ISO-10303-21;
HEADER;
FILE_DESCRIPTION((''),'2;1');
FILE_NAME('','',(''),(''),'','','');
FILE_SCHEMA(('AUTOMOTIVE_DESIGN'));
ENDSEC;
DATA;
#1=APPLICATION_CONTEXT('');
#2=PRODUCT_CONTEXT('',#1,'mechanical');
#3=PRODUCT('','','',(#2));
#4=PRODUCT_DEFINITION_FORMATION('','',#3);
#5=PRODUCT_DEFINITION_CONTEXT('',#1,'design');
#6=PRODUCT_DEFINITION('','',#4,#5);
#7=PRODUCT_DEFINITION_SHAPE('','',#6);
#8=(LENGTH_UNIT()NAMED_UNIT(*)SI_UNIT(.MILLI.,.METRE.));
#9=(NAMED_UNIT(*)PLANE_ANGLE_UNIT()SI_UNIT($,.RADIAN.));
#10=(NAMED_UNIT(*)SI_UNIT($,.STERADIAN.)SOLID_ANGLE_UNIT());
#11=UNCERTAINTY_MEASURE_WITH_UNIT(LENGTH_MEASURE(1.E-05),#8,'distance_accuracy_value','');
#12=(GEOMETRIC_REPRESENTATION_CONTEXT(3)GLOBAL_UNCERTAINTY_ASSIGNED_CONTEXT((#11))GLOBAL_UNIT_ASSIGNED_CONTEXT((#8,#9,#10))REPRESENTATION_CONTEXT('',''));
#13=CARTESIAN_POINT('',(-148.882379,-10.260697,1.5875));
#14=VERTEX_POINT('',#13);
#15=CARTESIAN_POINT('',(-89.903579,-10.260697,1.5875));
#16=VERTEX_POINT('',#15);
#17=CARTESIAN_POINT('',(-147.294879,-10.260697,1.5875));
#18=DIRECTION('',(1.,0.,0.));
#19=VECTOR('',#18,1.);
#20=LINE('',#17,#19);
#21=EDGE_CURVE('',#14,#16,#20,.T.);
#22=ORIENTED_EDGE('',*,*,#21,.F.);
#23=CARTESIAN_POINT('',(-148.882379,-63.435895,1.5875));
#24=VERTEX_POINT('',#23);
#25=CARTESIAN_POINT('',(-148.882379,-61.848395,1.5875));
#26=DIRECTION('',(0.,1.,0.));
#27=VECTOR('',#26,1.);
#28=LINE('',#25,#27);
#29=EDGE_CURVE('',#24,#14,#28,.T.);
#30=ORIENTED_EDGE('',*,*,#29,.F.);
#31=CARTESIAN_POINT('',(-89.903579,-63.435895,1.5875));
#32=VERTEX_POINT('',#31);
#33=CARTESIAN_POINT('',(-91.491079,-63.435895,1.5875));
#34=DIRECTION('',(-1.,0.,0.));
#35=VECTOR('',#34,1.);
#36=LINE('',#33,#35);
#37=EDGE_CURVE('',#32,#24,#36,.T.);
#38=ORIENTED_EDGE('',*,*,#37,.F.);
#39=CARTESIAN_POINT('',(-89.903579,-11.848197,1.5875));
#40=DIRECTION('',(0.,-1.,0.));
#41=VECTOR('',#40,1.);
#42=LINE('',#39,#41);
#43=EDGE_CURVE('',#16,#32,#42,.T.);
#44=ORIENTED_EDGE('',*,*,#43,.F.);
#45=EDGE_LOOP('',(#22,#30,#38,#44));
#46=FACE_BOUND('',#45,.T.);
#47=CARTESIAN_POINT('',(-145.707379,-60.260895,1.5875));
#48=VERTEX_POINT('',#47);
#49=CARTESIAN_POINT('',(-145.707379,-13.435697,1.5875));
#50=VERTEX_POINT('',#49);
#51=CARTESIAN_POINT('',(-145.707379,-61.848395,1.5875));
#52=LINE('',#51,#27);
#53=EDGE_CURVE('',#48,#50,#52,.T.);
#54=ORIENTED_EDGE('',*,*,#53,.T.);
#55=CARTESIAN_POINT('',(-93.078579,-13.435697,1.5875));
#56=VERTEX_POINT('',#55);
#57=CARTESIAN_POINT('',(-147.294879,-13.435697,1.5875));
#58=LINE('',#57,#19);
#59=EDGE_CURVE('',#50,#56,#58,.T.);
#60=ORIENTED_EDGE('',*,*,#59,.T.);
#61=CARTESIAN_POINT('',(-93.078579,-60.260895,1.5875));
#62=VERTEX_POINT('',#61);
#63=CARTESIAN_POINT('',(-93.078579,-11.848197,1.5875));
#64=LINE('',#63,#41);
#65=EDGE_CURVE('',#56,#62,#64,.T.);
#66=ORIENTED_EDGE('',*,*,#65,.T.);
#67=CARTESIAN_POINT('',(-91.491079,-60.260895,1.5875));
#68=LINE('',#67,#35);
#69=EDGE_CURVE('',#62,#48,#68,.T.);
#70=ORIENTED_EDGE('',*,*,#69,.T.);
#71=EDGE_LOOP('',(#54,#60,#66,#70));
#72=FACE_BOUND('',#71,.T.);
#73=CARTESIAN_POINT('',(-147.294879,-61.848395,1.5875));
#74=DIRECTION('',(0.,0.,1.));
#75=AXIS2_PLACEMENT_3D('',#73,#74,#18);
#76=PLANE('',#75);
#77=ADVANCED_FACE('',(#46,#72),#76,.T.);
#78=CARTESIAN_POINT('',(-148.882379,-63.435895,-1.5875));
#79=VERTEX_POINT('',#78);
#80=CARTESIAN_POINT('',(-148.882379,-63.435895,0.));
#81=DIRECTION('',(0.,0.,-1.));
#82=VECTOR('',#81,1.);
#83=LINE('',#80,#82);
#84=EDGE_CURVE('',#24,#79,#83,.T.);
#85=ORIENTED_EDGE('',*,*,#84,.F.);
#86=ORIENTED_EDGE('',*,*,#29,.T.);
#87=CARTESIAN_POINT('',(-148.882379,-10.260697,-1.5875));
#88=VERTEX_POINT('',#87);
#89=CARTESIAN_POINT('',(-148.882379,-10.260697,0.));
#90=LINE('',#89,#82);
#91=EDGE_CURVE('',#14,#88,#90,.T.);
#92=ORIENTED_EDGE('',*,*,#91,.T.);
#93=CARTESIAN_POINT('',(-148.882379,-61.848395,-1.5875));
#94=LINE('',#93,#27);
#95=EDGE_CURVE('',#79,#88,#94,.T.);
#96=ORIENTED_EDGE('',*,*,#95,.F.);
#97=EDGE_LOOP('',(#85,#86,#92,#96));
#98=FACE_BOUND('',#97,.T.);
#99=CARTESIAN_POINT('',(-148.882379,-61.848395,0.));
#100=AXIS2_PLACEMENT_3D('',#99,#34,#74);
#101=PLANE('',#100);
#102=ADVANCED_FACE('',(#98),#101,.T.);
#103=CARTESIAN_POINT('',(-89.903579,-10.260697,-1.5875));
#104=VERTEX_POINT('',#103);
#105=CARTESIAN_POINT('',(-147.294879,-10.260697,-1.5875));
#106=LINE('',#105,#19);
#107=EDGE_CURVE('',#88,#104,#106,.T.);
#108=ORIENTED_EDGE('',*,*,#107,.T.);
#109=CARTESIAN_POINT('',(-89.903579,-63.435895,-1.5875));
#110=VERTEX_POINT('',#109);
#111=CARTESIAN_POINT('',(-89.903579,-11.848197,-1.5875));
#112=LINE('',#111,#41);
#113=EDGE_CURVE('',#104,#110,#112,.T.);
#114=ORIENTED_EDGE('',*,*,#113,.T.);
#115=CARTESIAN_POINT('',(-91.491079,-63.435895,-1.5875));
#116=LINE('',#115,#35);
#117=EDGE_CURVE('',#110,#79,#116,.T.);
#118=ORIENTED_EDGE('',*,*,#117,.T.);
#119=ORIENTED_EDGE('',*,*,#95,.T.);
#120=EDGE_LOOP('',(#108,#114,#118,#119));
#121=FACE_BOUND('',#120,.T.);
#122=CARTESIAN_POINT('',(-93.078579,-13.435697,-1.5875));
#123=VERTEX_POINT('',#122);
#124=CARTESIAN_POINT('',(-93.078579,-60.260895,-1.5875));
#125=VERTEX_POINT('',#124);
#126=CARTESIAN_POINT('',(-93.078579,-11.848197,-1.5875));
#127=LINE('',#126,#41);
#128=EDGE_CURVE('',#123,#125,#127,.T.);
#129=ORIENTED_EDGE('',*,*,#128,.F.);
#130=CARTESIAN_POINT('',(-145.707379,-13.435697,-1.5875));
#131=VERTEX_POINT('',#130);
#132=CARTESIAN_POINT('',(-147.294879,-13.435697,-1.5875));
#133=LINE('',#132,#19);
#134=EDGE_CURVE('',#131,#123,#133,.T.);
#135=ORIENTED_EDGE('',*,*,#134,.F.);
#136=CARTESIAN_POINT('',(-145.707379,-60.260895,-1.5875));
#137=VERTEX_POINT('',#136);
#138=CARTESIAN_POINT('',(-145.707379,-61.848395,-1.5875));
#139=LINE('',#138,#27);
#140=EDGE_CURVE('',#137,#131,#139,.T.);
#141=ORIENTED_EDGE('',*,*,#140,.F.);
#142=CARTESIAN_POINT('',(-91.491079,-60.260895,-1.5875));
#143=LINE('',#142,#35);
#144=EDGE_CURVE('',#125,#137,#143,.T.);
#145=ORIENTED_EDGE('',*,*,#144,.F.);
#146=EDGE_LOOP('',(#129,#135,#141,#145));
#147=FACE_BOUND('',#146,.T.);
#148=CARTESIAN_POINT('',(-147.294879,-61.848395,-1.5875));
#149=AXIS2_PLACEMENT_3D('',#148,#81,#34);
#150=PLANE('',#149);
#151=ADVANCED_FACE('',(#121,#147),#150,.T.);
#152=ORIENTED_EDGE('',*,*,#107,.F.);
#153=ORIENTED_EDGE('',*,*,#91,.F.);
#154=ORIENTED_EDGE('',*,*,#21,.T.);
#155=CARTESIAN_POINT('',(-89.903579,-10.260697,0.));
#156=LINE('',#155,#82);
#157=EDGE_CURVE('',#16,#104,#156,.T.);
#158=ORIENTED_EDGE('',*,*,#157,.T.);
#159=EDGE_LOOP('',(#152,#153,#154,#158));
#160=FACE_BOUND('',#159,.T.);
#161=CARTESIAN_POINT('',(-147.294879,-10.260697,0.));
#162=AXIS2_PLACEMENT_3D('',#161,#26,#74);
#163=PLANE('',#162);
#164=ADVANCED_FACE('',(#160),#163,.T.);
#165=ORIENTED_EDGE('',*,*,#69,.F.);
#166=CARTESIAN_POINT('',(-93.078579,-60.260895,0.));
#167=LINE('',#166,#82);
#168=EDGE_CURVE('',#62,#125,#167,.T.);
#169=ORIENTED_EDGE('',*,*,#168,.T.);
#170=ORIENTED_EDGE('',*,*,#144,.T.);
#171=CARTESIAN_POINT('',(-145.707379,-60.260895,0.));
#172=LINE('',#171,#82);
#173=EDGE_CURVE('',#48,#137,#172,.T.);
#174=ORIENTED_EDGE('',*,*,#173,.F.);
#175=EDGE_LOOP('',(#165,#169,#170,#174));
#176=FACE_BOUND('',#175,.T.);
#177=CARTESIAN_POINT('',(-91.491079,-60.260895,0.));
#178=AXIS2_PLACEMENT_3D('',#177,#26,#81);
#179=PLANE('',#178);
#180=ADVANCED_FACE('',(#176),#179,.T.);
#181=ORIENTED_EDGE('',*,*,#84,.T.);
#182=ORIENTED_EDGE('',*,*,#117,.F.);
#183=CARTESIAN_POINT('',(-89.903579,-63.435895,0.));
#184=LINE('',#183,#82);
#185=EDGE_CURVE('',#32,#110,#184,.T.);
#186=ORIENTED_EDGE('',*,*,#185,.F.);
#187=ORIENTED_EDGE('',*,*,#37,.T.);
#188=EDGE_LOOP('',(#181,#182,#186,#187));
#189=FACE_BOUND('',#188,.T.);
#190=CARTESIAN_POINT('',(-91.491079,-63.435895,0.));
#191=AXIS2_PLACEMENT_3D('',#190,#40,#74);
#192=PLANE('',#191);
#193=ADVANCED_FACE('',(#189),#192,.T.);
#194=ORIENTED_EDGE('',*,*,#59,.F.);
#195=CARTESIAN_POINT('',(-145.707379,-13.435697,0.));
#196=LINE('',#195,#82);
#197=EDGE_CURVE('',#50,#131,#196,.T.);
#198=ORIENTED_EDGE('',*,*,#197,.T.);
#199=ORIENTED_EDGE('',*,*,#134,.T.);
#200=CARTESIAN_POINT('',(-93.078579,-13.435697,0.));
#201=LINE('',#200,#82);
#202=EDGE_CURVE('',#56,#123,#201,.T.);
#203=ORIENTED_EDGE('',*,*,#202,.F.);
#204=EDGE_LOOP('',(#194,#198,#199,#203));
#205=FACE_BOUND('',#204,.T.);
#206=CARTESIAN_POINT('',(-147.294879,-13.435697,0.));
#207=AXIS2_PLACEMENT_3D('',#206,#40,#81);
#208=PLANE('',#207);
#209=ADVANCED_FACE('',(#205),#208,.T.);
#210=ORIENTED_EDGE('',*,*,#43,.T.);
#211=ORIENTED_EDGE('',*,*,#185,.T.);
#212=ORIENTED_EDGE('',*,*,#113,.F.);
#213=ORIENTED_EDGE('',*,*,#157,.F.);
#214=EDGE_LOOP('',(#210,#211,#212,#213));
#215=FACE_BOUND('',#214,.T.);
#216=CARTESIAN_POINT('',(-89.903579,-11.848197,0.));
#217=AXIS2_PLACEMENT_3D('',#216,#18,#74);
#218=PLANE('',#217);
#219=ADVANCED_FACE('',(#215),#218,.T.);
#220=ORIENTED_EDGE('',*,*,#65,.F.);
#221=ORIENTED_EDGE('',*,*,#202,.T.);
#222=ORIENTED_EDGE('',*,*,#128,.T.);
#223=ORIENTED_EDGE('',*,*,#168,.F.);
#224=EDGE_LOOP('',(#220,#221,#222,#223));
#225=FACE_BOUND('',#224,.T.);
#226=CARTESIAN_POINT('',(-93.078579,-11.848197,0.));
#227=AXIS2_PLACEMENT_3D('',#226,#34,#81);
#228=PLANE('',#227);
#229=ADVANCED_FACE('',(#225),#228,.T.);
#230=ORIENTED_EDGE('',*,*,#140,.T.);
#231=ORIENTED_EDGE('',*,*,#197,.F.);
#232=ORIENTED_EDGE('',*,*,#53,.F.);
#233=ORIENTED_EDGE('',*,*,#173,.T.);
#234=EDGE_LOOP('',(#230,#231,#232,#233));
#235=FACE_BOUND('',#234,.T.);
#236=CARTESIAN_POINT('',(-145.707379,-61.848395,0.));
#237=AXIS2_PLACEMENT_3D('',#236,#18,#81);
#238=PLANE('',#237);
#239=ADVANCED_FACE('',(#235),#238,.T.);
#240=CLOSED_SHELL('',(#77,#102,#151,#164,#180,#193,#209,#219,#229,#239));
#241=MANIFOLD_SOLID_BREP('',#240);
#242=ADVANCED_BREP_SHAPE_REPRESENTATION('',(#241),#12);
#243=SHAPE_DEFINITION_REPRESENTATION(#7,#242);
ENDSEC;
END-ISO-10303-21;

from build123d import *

# Parameters (mm, degrees)
F2_W = 3.175
F2_H = 3.175


with BuildPart() as f3:
    # F3: sweep along a path in F0
    with BuildLine(Plane.XY) as f3_path:
        Line((-147.2948789597, -61.8483945727), (-147.2948789597, -11.8481973186))
        Line((-147.2948789597, -11.8481973186), (-91.4910789597, -11.8481973186))
        Line((-91.4910789597, -11.8481973186), (-91.4910789597, -61.8483945727))
        Line((-91.4910789597, -61.8483945727), (-147.2948789597, -61.8483945727))
    # F2 (on line) → F3 (sweep)
    with BuildSketch(Plane(origin=(0, -61.8483945727, 0), x_dir=(-1, 0, 0), z_dir=(0, 1, 0))):
        with Locations((147.2948789597, 0)):
            Rectangle(F2_W, F2_H)
    sweep(path=f3_path.line, transition=Transition.RIGHT)


solid = f3.part
